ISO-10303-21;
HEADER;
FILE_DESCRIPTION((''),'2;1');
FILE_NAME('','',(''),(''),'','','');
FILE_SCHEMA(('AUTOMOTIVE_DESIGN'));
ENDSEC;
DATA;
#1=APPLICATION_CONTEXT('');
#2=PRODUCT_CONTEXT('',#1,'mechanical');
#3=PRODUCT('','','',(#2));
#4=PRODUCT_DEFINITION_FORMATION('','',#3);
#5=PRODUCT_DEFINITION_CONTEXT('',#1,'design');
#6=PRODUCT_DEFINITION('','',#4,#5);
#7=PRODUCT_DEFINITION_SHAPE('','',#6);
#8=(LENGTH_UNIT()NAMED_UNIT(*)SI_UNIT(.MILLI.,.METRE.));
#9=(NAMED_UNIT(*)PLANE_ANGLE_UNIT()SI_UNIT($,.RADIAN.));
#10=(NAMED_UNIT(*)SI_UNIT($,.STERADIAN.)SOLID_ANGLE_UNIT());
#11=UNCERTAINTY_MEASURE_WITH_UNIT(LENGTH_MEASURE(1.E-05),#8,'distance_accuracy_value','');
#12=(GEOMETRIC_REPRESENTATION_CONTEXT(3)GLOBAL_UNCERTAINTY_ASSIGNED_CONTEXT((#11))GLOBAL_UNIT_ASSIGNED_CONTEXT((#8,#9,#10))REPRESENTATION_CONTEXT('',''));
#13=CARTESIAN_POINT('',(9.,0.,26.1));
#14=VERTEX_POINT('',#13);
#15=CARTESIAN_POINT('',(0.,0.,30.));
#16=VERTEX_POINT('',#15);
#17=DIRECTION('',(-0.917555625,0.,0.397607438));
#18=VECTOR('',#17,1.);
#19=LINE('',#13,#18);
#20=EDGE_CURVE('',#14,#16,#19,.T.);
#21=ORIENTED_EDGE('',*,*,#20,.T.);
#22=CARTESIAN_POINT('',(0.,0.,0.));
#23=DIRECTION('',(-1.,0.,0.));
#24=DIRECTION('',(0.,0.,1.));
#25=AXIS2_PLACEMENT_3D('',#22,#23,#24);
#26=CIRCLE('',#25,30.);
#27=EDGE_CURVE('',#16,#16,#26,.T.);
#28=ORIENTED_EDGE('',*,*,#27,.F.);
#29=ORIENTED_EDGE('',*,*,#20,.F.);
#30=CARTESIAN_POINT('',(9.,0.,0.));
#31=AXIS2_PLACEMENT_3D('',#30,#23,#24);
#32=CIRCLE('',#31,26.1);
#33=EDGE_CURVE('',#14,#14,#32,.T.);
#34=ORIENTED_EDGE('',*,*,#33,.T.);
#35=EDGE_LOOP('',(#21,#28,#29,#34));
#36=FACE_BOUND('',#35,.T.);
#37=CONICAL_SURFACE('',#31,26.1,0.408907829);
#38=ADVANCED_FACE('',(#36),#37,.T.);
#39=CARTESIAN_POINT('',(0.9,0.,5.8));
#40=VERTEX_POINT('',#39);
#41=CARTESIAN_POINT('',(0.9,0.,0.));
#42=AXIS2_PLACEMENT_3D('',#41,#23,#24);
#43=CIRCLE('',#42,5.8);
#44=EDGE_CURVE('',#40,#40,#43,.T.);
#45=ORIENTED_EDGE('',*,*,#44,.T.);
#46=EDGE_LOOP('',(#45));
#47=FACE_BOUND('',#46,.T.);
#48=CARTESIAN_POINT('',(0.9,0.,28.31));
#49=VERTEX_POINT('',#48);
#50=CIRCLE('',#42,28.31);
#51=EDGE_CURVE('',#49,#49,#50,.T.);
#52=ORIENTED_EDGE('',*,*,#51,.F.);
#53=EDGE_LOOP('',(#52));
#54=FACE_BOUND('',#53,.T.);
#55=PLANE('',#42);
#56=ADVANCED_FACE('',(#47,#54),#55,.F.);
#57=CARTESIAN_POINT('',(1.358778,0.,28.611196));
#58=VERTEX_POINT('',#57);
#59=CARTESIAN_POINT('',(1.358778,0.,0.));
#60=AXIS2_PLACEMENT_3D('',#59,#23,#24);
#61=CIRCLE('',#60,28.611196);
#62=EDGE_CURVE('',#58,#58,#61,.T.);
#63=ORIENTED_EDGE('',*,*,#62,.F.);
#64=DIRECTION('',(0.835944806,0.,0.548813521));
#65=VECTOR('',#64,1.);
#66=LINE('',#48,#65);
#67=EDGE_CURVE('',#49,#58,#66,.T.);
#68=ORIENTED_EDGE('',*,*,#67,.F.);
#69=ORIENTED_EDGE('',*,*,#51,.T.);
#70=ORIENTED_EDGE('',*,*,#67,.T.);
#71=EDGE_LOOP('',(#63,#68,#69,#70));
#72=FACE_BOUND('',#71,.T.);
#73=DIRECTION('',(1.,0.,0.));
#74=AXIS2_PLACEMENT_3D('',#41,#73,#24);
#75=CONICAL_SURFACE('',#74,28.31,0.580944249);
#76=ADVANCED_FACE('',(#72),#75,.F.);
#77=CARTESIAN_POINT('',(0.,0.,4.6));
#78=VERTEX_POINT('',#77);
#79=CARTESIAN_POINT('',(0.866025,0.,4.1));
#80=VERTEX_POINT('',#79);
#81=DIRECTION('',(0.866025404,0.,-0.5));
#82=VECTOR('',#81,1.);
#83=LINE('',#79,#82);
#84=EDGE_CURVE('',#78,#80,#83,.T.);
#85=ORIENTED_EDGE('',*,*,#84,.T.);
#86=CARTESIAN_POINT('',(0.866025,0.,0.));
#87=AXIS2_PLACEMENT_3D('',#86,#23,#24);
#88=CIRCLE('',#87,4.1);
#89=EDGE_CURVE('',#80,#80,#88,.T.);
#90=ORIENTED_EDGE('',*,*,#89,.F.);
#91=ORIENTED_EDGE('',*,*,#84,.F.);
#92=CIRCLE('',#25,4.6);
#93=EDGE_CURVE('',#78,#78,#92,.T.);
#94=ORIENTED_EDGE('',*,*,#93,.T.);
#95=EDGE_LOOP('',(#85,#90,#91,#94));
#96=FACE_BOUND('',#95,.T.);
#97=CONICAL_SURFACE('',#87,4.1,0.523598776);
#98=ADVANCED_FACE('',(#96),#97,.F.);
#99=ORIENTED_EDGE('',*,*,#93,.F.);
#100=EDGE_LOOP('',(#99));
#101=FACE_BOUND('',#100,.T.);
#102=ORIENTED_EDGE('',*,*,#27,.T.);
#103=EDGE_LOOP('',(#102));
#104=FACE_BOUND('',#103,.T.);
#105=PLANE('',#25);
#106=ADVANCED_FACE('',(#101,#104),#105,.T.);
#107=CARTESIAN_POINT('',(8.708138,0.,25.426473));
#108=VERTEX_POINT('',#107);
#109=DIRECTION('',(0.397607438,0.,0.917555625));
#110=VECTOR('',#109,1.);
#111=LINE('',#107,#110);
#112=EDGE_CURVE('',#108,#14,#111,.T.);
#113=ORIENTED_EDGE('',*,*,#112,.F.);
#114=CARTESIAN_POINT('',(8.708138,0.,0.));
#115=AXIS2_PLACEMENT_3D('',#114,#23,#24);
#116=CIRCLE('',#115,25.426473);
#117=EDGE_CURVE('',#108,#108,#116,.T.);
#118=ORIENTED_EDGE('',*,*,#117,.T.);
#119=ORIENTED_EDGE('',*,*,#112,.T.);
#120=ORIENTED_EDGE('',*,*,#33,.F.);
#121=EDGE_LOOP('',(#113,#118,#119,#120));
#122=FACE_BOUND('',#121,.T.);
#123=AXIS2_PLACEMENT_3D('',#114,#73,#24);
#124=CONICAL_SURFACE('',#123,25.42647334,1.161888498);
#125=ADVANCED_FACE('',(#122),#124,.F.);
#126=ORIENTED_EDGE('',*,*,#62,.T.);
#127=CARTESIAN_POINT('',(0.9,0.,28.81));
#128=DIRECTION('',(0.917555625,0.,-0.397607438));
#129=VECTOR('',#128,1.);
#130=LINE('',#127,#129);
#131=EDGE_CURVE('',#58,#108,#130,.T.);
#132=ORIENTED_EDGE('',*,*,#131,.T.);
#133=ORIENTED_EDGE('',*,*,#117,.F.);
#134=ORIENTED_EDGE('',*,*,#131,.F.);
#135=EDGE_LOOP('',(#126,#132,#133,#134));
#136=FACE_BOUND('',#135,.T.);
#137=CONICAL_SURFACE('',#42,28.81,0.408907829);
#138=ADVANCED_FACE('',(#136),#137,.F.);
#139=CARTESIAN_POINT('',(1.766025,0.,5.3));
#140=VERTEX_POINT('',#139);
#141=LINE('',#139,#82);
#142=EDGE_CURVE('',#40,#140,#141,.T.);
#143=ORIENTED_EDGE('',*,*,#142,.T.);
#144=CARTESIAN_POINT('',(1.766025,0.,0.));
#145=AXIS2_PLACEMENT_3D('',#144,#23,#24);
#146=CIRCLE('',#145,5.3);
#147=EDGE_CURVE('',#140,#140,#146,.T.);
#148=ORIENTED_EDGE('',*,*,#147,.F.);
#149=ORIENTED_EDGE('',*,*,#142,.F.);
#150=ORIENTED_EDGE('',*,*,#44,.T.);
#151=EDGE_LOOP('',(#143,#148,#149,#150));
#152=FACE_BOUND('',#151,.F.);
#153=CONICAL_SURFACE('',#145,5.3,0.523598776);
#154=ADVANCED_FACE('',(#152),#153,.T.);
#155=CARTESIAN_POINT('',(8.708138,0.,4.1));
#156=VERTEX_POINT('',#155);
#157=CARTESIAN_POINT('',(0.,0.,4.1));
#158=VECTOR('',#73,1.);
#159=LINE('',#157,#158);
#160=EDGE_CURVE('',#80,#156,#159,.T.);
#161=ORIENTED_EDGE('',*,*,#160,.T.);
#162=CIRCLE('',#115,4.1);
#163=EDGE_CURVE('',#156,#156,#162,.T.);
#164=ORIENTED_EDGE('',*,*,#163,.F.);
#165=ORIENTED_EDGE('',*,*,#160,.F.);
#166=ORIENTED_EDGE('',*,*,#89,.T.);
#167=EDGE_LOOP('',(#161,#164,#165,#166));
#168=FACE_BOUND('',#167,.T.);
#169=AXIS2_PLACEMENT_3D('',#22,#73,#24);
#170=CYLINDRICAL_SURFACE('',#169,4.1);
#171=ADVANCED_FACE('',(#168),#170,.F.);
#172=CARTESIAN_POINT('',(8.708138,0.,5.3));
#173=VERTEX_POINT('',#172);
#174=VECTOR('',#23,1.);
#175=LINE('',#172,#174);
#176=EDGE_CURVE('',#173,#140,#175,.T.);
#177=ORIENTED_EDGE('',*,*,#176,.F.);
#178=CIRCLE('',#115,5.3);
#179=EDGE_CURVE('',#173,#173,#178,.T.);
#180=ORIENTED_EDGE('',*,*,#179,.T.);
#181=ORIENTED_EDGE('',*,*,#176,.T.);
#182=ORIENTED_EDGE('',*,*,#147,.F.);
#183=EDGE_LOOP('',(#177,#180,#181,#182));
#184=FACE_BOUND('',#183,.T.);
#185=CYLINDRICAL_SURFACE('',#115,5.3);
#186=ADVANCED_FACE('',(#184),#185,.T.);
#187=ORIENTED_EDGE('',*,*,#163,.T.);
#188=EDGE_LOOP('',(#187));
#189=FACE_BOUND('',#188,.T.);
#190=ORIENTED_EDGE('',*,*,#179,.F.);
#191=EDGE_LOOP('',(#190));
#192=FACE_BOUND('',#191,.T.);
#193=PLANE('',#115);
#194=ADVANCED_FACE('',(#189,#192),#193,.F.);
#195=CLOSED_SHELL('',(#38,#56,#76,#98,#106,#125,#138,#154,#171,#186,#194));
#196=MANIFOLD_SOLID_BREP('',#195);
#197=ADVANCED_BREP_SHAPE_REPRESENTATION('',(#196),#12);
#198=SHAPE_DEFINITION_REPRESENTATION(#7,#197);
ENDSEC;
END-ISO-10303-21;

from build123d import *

# Parameters (mm, degrees)
F2_SIZE2 = 0.8660254038
F2_SIZE  = 0.5
F3_SIZE2 = 0.8660254038
F3_SIZE  = 0.5
F4_SIZE  = 0.5


with BuildPart() as f1:
    # F0 (on Front) → F1 (revolve)
    with BuildSketch(Plane.XZ):
        Polygon((0, 4.1), (8.7081384471, 4.1), (8.7081384471, 5.3), (0.9, 5.3), (0.9, 28.81), (8.7081384471, 25.4264733396), (9, 26.1), (0, 30), align=None)
    revolve(axis=Axis((3.0769170262, 0, 0), (-1, 0, 0)))

    # F2
    f2_edges = [f1.edges().sort_by_distance(p)[0] for p in [
        (0, 0, -4.1),
    ]]
    f2_side = f1.faces().sort_by_distance((0, 0, -29.151472))[0]
    chamfer(f2_edges, length=F2_SIZE, length2=F2_SIZE2, reference=f2_side)

    # F3
    f3_edges = [f1.edges().sort_by_distance(p)[0] for p in [
        (0.9, 0, -5.3),
    ]]
    f3_side = f1.faces().sort_by_distance((0.9, 0, -6.11487))[0]
    chamfer(f3_edges, length=F3_SIZE, length2=F3_SIZE2, reference=f3_side)

    # F4
    f4_edges = [f1.edges().sort_by_distance(p)[0] for p in [
        (0.9, 0, -28.81),
    ]]
    chamfer(f4_edges, length=F4_SIZE)


solid = f1.part
